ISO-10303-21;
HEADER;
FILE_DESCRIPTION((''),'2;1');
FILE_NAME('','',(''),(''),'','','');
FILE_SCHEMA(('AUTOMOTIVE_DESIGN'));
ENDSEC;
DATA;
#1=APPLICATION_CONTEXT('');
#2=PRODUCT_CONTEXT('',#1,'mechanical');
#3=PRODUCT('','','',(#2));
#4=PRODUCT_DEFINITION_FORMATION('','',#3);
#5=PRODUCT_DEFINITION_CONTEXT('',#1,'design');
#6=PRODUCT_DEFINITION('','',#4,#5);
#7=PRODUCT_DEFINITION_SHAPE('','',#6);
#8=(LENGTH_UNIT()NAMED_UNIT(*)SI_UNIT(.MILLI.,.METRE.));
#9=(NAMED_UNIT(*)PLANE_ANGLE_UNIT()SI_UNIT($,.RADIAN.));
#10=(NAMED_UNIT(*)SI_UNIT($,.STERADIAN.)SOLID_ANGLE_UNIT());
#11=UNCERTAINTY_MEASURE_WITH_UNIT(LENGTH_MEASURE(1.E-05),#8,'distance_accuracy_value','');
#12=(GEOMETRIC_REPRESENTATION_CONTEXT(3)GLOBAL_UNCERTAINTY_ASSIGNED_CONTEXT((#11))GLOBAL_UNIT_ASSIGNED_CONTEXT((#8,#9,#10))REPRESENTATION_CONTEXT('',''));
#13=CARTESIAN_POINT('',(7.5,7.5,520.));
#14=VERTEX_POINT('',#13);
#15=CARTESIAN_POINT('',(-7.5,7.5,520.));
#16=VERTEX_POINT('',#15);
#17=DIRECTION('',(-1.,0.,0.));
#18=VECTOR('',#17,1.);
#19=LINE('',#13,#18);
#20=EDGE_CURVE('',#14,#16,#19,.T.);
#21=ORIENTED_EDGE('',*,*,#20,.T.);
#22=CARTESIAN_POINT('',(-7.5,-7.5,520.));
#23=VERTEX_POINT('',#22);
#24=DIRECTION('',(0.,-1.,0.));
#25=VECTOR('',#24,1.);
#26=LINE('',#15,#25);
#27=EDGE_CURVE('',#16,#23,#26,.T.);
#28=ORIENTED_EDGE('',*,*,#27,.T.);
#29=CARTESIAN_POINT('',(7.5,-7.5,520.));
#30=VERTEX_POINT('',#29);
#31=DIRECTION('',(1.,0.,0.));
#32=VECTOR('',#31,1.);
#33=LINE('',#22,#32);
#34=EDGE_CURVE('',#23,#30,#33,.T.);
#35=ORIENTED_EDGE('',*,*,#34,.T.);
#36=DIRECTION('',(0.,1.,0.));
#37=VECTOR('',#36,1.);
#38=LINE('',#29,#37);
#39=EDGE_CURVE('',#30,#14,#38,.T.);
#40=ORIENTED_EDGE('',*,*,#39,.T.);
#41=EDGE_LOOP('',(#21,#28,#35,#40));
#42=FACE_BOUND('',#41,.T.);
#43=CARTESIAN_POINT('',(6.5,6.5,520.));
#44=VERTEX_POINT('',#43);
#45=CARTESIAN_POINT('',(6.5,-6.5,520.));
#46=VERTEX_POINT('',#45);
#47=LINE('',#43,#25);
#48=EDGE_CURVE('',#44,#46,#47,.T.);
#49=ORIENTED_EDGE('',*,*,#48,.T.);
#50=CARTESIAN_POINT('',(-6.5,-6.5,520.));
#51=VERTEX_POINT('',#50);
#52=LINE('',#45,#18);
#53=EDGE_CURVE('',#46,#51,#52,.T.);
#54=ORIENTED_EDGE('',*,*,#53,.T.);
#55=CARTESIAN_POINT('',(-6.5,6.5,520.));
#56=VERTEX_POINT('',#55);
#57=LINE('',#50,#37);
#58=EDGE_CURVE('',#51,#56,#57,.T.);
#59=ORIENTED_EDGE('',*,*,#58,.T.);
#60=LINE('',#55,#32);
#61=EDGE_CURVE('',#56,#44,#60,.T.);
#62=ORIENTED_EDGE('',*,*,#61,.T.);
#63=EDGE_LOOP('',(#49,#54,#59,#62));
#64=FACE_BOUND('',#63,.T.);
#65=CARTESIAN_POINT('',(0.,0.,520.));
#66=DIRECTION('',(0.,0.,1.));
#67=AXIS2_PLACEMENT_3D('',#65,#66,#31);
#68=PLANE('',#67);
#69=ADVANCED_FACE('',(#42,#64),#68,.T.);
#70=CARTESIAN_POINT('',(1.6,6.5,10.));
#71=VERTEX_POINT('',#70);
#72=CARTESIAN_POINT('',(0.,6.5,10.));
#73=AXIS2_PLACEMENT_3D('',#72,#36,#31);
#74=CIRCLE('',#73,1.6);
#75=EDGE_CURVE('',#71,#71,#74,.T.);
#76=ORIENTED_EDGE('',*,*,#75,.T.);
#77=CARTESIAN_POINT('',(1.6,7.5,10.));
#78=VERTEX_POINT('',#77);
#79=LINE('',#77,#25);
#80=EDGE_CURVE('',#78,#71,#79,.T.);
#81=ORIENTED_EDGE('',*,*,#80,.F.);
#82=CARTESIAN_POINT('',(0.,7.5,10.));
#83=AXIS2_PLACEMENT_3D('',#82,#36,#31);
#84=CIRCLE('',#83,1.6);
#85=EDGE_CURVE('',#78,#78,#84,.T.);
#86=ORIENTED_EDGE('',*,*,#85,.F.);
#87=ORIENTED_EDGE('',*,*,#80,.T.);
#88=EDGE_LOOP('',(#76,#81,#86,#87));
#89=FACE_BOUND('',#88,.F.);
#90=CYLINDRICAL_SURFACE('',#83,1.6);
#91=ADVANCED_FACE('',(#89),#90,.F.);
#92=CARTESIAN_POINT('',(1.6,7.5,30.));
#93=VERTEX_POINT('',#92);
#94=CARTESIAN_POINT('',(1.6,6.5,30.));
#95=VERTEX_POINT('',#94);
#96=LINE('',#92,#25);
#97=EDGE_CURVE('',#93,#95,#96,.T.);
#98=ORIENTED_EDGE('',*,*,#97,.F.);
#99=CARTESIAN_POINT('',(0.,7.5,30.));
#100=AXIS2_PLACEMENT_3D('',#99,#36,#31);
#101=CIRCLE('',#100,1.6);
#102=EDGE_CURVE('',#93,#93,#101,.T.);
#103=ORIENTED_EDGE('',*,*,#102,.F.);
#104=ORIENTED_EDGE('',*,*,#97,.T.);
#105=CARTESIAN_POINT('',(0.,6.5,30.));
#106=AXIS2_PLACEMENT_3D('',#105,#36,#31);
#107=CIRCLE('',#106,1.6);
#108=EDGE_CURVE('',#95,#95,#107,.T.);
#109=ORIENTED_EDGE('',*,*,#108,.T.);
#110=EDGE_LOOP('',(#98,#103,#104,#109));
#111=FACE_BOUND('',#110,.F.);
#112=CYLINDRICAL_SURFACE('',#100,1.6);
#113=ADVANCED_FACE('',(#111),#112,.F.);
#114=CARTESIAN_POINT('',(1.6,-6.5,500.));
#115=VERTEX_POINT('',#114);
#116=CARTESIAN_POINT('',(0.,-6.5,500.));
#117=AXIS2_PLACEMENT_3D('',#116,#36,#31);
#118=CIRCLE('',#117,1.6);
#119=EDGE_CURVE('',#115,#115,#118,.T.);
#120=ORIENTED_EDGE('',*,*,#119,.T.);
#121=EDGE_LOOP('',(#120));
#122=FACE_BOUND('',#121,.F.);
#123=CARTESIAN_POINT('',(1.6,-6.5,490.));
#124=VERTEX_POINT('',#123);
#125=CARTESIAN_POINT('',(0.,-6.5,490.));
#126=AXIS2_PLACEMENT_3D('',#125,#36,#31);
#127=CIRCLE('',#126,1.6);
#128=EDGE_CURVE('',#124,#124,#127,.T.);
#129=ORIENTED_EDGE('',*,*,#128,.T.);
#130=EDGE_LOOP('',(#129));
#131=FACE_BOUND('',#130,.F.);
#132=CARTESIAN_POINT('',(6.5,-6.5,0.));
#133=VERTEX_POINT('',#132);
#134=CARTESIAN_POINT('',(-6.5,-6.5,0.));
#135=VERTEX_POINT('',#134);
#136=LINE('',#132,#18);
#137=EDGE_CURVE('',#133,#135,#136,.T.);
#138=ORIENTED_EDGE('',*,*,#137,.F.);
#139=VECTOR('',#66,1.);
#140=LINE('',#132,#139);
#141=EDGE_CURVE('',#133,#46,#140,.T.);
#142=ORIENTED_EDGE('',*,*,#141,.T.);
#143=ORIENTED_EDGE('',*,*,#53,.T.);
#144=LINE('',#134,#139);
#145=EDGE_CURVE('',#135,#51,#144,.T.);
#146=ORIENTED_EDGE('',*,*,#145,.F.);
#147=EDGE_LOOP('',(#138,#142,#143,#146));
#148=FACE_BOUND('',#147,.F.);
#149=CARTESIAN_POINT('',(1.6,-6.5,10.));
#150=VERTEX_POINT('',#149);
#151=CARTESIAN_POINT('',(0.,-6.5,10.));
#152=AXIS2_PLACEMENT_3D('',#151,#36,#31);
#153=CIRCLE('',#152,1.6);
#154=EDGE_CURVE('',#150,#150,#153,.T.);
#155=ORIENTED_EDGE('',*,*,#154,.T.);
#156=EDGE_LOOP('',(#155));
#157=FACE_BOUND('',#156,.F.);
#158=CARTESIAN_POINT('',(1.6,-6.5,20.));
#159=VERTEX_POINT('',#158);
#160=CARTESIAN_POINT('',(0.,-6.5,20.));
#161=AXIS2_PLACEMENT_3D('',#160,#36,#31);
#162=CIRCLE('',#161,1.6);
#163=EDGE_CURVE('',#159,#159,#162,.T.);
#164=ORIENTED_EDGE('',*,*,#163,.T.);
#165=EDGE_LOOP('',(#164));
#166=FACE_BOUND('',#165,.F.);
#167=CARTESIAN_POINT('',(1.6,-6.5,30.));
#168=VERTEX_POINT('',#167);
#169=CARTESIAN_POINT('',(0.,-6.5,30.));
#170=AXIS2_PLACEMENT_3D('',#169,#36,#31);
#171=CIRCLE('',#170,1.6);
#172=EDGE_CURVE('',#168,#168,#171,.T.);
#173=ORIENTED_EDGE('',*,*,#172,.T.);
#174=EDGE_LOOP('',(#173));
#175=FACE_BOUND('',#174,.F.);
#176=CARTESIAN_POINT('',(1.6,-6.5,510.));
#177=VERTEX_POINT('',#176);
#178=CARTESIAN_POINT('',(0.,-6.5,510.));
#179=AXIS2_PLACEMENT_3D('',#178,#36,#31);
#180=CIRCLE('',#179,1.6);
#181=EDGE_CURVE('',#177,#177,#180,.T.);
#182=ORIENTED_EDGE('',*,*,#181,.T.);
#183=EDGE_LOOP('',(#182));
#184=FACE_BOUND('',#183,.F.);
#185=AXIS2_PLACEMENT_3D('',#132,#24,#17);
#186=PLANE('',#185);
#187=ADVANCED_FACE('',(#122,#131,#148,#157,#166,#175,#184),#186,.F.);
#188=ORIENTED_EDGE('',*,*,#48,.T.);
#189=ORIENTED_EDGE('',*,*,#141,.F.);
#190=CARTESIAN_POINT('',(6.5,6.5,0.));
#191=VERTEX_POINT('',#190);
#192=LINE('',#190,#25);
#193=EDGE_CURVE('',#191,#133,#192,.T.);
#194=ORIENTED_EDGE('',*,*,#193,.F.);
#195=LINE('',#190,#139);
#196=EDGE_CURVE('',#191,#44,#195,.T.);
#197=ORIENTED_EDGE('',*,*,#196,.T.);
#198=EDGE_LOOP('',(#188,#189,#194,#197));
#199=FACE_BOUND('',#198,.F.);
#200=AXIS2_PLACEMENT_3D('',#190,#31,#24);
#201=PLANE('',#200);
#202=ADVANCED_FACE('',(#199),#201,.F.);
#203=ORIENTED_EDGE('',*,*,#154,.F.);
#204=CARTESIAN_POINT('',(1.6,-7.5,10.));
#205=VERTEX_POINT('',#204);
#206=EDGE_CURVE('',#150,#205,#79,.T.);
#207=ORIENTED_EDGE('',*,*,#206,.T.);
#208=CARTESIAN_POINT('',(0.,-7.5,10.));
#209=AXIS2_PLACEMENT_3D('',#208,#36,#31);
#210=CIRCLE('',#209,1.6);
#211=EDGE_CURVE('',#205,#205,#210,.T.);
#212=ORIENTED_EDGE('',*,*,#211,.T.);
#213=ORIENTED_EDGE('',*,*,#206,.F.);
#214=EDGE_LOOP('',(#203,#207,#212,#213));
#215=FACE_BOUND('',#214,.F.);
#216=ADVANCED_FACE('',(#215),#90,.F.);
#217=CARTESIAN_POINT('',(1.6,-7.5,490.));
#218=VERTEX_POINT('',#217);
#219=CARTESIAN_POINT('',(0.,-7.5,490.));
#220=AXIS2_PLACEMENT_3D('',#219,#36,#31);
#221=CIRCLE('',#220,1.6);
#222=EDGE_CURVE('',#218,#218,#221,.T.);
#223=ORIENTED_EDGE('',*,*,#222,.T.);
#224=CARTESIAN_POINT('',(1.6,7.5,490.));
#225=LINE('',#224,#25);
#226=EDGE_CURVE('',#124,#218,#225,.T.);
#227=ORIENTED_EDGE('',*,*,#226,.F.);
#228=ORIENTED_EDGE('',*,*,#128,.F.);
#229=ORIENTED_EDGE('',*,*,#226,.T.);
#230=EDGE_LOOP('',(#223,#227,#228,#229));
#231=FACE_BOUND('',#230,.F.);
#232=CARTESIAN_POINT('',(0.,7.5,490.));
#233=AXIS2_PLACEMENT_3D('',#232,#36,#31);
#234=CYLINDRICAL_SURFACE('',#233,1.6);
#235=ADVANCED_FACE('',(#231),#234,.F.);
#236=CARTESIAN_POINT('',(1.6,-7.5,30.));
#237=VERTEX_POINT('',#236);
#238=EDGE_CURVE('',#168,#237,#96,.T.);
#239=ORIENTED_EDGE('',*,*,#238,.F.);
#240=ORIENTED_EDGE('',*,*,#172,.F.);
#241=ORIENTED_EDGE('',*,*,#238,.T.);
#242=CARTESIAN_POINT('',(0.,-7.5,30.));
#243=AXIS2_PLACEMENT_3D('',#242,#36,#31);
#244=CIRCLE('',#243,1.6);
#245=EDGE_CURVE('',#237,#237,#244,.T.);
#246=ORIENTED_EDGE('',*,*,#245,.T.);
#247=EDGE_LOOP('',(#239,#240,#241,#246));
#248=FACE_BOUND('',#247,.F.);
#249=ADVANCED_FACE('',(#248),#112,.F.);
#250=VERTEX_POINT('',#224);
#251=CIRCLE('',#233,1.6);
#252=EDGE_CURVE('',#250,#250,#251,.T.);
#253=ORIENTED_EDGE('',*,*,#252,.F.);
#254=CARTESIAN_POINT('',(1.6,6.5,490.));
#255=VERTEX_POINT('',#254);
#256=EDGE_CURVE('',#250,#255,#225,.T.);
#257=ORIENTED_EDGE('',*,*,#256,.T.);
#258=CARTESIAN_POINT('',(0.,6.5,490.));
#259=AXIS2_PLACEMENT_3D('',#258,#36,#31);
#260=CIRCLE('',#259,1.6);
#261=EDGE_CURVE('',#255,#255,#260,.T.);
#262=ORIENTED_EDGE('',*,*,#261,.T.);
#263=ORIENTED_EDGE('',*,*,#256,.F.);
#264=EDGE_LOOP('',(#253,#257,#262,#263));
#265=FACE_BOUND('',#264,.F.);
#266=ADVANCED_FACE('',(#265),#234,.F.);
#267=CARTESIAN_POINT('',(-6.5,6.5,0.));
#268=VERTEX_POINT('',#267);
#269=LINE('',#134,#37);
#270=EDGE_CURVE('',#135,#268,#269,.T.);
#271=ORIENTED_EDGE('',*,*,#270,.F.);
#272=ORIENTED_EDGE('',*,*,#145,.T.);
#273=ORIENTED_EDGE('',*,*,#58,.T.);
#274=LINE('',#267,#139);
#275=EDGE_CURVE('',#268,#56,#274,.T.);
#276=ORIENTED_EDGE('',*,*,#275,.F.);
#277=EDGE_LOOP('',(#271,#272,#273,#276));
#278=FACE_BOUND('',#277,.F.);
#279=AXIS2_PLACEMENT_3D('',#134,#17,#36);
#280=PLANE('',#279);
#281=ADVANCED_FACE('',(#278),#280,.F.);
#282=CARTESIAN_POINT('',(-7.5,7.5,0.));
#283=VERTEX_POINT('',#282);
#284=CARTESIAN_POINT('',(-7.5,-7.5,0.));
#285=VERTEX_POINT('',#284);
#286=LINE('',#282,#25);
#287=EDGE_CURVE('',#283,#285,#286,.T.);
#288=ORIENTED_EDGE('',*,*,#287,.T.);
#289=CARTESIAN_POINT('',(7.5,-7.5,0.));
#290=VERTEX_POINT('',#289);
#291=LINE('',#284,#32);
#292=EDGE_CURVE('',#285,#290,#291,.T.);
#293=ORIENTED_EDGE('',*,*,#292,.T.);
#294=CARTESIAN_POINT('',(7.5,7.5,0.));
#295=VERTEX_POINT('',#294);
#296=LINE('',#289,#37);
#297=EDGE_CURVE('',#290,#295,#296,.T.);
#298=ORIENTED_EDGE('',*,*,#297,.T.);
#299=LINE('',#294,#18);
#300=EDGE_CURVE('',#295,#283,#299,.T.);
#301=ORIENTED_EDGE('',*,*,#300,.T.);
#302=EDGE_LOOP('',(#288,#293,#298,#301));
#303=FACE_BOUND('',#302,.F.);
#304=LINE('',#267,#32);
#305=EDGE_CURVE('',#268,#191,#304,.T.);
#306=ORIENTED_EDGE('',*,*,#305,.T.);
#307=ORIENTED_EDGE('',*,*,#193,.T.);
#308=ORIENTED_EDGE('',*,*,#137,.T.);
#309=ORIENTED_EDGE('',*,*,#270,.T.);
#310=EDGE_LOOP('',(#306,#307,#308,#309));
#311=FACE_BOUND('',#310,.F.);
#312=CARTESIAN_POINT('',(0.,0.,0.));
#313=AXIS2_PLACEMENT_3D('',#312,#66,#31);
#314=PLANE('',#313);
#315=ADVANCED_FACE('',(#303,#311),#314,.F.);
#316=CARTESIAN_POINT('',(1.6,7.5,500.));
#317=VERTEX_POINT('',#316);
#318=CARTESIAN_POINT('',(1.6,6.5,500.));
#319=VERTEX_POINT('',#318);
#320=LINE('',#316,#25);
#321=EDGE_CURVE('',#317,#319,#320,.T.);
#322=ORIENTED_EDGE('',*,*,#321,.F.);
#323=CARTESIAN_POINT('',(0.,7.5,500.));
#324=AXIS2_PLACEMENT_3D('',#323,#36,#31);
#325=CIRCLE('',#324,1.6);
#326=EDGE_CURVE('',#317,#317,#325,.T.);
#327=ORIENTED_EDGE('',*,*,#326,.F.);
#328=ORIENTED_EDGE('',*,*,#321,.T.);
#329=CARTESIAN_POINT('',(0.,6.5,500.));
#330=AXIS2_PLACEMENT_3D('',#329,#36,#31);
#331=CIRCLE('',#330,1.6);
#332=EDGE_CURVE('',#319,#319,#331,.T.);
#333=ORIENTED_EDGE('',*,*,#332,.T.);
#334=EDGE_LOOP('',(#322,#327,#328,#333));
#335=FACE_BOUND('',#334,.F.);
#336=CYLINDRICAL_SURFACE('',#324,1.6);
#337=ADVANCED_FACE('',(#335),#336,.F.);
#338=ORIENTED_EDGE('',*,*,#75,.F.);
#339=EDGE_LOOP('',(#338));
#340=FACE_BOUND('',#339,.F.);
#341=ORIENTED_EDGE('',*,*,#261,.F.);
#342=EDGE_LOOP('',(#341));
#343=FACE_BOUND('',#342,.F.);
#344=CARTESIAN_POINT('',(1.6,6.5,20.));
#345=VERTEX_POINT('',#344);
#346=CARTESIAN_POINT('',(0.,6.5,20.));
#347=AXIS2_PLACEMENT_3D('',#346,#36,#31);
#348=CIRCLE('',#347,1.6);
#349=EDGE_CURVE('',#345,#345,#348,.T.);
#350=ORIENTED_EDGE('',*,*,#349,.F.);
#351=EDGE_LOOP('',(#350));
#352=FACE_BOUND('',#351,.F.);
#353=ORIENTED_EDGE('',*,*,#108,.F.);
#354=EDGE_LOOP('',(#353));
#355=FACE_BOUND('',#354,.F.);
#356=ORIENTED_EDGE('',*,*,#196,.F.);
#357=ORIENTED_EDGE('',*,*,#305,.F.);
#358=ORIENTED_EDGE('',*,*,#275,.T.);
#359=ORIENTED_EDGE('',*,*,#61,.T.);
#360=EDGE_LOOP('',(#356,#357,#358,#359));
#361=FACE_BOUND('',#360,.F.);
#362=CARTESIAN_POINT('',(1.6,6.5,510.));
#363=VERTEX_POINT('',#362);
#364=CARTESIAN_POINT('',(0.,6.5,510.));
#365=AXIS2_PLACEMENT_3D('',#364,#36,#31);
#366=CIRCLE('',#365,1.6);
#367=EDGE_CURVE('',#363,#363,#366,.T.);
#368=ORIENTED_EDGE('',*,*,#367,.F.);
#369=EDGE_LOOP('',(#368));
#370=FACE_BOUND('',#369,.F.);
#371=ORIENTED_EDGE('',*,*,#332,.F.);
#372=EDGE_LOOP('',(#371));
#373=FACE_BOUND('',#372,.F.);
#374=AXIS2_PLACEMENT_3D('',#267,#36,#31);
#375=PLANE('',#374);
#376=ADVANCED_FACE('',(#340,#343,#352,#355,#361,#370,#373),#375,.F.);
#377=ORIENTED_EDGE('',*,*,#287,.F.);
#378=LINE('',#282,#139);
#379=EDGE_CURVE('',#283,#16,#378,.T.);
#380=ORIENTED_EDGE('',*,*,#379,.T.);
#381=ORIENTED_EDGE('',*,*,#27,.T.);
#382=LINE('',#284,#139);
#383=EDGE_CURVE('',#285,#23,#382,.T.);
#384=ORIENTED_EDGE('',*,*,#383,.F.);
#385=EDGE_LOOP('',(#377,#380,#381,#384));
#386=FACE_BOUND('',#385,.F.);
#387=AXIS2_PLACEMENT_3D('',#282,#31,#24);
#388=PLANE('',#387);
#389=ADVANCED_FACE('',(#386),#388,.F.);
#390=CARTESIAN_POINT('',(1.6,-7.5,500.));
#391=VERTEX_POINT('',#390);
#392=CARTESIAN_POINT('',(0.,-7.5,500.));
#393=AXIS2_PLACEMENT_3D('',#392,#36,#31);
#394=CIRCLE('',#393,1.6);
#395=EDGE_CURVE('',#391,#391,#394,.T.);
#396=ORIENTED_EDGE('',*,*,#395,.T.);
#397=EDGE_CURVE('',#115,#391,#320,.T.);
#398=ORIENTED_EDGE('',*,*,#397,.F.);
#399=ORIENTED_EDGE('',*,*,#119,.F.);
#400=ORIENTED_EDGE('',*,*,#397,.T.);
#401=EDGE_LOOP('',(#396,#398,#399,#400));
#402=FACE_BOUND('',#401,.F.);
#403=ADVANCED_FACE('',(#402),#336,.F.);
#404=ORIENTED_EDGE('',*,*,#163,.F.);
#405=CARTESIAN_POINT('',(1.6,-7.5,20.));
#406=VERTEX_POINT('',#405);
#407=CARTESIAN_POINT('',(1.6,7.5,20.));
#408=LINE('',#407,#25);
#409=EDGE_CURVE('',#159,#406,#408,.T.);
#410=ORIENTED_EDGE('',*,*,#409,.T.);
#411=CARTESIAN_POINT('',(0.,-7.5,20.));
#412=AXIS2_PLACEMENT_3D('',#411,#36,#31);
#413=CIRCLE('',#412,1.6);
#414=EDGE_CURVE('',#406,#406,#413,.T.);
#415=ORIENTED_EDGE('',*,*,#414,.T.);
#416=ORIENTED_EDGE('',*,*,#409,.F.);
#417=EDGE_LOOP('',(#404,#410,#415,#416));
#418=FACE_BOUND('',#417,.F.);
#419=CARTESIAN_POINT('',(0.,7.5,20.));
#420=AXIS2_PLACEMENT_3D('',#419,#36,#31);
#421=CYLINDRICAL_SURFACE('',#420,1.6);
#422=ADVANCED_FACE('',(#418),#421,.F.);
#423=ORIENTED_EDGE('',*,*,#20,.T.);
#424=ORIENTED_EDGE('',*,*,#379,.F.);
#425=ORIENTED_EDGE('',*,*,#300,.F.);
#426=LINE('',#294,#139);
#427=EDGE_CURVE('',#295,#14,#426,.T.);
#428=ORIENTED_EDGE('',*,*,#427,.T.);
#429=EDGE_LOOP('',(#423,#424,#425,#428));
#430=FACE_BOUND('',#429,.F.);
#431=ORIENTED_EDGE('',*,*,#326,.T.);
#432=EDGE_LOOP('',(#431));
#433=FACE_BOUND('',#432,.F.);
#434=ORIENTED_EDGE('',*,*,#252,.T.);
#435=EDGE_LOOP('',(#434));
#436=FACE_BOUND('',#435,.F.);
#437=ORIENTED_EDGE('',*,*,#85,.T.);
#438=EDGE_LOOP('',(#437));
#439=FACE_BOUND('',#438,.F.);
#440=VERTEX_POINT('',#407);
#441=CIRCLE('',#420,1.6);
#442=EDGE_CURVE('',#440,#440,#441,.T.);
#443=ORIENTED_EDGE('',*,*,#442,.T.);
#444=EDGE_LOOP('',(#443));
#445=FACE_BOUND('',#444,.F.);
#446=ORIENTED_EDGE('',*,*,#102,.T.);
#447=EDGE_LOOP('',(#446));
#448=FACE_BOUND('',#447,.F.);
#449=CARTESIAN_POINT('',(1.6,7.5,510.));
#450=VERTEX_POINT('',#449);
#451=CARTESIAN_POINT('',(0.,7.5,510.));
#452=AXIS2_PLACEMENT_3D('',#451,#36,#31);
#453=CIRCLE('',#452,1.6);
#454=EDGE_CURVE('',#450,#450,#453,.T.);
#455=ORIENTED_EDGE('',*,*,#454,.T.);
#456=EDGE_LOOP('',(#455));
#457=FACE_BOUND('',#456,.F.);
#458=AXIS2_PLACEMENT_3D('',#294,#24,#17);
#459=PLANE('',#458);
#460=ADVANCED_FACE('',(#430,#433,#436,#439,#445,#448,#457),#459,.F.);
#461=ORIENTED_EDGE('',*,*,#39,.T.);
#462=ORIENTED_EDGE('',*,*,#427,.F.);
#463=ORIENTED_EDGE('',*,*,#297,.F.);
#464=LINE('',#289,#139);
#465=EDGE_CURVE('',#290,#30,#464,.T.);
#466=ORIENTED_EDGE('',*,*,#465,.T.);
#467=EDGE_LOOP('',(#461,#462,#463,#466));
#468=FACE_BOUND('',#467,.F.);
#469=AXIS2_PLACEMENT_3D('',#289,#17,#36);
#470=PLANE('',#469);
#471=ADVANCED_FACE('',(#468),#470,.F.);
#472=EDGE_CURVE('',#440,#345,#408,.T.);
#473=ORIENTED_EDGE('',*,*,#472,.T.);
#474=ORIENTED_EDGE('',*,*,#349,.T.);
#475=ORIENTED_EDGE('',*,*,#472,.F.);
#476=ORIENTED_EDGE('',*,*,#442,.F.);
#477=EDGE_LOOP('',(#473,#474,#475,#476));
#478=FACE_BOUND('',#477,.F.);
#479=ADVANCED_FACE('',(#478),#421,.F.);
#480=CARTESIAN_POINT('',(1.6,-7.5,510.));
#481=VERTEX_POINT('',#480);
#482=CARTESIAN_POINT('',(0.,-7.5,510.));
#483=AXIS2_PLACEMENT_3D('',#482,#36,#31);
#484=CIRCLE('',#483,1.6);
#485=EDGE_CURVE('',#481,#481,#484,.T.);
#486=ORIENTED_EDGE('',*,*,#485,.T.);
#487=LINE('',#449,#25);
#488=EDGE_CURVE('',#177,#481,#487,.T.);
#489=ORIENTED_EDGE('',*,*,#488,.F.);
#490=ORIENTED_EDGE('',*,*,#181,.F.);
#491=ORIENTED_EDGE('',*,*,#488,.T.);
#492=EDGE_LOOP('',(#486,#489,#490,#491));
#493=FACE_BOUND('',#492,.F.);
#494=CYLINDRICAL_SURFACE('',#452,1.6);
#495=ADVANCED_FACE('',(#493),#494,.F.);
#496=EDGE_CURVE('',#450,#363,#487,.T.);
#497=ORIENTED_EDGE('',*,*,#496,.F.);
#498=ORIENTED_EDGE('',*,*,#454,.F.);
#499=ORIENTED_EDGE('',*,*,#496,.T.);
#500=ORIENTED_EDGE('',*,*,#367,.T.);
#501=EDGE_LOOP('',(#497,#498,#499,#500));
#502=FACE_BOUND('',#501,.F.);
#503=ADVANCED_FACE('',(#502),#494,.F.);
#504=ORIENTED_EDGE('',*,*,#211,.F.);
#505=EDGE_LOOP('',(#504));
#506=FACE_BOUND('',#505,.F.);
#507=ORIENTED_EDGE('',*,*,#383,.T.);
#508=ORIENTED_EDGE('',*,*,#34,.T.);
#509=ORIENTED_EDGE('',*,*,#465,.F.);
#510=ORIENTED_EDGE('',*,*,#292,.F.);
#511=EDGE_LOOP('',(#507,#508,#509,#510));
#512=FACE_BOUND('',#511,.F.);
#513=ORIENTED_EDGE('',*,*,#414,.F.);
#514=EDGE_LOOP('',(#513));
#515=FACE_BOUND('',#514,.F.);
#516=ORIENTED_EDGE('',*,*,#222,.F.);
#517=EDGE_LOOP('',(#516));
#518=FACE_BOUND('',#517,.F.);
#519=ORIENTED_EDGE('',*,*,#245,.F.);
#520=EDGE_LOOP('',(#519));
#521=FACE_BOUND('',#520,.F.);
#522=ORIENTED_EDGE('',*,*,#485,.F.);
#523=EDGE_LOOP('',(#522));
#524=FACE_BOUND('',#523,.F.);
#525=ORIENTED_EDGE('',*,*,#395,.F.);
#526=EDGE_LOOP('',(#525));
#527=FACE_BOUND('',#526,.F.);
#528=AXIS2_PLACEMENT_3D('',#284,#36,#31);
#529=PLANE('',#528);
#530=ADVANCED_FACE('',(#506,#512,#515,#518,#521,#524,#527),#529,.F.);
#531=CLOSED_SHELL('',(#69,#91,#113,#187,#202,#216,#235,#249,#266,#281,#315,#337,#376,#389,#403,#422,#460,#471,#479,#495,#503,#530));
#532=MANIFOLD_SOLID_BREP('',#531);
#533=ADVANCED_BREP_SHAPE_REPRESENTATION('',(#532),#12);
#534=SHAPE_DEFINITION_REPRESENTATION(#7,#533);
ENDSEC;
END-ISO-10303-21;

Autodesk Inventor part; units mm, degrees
ref_plane "YZ Plane" through (0, 0, 0) normal (1, 0, 0) x (0, 1, 0)
ref_plane "XZ Plane" through (0, 0, 0) normal (0, 1, 0) x (-1, 0, 0)
ref_plane "XY Plane" through (0, 0, 0) normal (0, 0, 1) x (1, 0, 0)
sketch "スケッチ1" plane through (0, 0, 0) normal (0, 0, 1) x (1, 0, 0)
  line L0 (7.5, 7.5) -> (-7.5, 7.5)
  line L1 (-7.5, 7.5) -> (-7.5, -7.5)
  line L2 (-7.5, -7.5) -> (7.5, -7.5)
  line L3 (7.5, -7.5) -> (7.5, 7.5)
  line L4 (7.5, 7.5) -> (-7.5, -7.5) construction
  line L5 (-7.5, 7.5) -> (7.5, -7.5) construction
  line L6 (-6.5, 6.5) -> (6.5, 6.5)
  line L7 (6.5, 6.5) -> (6.5, -6.5)
  line L8 (6.5, -6.5) -> (-6.5, -6.5)
  line L9 (-6.5, -6.5) -> (-6.5, 6.5)
  point P0 (0, 0)
  dimension "d0" = 15
  dimension "d1" = 15
  dimension "d2" = 1
extrude "押し出し1" add sketch "スケッチ1" along normal blind 520
sketch "スケッチ2" plane through (-7.5, 7.5, 0) normal (0, 1, 0) x (1, 0, 0)
  circle A0 centre (7.5, -10) radius 1.6
  circle A1 centre (7.5, -20) radius 1.6
  circle A2 centre (7.5, -30) radius 1.6
  line L0 (15, 0) -> (0, 0) projected
  circle A3 centre (7.5, -490) radius 1.6
  circle A4 centre (7.5, -500) radius 1.6
  circle A5 centre (7.5, -510) radius 1.6
  line L1 (15, -520) -> (0, -520) projected
  point P0 (7.5, 0)
  point P1 (7.5, 0)
  dimension "d5" = 3.2
  dimension "d6" = 3.2
  dimension "d7" = 3.2
  dimension "d8" = 10
  dimension "d9" = 10
  dimension "d10" = 10
  dimension "d11" = 3.2
  dimension "d12" = 3.2
  dimension "d13" = 3.2
  dimension "d14" = 10
  dimension "d15" = 10
  dimension "d16" = 10
extrude "押し出し2" cut sketch "スケッチ2" against normal through all
properties part number "プレート保持_角柱3" material "アルミニウム 6061"
